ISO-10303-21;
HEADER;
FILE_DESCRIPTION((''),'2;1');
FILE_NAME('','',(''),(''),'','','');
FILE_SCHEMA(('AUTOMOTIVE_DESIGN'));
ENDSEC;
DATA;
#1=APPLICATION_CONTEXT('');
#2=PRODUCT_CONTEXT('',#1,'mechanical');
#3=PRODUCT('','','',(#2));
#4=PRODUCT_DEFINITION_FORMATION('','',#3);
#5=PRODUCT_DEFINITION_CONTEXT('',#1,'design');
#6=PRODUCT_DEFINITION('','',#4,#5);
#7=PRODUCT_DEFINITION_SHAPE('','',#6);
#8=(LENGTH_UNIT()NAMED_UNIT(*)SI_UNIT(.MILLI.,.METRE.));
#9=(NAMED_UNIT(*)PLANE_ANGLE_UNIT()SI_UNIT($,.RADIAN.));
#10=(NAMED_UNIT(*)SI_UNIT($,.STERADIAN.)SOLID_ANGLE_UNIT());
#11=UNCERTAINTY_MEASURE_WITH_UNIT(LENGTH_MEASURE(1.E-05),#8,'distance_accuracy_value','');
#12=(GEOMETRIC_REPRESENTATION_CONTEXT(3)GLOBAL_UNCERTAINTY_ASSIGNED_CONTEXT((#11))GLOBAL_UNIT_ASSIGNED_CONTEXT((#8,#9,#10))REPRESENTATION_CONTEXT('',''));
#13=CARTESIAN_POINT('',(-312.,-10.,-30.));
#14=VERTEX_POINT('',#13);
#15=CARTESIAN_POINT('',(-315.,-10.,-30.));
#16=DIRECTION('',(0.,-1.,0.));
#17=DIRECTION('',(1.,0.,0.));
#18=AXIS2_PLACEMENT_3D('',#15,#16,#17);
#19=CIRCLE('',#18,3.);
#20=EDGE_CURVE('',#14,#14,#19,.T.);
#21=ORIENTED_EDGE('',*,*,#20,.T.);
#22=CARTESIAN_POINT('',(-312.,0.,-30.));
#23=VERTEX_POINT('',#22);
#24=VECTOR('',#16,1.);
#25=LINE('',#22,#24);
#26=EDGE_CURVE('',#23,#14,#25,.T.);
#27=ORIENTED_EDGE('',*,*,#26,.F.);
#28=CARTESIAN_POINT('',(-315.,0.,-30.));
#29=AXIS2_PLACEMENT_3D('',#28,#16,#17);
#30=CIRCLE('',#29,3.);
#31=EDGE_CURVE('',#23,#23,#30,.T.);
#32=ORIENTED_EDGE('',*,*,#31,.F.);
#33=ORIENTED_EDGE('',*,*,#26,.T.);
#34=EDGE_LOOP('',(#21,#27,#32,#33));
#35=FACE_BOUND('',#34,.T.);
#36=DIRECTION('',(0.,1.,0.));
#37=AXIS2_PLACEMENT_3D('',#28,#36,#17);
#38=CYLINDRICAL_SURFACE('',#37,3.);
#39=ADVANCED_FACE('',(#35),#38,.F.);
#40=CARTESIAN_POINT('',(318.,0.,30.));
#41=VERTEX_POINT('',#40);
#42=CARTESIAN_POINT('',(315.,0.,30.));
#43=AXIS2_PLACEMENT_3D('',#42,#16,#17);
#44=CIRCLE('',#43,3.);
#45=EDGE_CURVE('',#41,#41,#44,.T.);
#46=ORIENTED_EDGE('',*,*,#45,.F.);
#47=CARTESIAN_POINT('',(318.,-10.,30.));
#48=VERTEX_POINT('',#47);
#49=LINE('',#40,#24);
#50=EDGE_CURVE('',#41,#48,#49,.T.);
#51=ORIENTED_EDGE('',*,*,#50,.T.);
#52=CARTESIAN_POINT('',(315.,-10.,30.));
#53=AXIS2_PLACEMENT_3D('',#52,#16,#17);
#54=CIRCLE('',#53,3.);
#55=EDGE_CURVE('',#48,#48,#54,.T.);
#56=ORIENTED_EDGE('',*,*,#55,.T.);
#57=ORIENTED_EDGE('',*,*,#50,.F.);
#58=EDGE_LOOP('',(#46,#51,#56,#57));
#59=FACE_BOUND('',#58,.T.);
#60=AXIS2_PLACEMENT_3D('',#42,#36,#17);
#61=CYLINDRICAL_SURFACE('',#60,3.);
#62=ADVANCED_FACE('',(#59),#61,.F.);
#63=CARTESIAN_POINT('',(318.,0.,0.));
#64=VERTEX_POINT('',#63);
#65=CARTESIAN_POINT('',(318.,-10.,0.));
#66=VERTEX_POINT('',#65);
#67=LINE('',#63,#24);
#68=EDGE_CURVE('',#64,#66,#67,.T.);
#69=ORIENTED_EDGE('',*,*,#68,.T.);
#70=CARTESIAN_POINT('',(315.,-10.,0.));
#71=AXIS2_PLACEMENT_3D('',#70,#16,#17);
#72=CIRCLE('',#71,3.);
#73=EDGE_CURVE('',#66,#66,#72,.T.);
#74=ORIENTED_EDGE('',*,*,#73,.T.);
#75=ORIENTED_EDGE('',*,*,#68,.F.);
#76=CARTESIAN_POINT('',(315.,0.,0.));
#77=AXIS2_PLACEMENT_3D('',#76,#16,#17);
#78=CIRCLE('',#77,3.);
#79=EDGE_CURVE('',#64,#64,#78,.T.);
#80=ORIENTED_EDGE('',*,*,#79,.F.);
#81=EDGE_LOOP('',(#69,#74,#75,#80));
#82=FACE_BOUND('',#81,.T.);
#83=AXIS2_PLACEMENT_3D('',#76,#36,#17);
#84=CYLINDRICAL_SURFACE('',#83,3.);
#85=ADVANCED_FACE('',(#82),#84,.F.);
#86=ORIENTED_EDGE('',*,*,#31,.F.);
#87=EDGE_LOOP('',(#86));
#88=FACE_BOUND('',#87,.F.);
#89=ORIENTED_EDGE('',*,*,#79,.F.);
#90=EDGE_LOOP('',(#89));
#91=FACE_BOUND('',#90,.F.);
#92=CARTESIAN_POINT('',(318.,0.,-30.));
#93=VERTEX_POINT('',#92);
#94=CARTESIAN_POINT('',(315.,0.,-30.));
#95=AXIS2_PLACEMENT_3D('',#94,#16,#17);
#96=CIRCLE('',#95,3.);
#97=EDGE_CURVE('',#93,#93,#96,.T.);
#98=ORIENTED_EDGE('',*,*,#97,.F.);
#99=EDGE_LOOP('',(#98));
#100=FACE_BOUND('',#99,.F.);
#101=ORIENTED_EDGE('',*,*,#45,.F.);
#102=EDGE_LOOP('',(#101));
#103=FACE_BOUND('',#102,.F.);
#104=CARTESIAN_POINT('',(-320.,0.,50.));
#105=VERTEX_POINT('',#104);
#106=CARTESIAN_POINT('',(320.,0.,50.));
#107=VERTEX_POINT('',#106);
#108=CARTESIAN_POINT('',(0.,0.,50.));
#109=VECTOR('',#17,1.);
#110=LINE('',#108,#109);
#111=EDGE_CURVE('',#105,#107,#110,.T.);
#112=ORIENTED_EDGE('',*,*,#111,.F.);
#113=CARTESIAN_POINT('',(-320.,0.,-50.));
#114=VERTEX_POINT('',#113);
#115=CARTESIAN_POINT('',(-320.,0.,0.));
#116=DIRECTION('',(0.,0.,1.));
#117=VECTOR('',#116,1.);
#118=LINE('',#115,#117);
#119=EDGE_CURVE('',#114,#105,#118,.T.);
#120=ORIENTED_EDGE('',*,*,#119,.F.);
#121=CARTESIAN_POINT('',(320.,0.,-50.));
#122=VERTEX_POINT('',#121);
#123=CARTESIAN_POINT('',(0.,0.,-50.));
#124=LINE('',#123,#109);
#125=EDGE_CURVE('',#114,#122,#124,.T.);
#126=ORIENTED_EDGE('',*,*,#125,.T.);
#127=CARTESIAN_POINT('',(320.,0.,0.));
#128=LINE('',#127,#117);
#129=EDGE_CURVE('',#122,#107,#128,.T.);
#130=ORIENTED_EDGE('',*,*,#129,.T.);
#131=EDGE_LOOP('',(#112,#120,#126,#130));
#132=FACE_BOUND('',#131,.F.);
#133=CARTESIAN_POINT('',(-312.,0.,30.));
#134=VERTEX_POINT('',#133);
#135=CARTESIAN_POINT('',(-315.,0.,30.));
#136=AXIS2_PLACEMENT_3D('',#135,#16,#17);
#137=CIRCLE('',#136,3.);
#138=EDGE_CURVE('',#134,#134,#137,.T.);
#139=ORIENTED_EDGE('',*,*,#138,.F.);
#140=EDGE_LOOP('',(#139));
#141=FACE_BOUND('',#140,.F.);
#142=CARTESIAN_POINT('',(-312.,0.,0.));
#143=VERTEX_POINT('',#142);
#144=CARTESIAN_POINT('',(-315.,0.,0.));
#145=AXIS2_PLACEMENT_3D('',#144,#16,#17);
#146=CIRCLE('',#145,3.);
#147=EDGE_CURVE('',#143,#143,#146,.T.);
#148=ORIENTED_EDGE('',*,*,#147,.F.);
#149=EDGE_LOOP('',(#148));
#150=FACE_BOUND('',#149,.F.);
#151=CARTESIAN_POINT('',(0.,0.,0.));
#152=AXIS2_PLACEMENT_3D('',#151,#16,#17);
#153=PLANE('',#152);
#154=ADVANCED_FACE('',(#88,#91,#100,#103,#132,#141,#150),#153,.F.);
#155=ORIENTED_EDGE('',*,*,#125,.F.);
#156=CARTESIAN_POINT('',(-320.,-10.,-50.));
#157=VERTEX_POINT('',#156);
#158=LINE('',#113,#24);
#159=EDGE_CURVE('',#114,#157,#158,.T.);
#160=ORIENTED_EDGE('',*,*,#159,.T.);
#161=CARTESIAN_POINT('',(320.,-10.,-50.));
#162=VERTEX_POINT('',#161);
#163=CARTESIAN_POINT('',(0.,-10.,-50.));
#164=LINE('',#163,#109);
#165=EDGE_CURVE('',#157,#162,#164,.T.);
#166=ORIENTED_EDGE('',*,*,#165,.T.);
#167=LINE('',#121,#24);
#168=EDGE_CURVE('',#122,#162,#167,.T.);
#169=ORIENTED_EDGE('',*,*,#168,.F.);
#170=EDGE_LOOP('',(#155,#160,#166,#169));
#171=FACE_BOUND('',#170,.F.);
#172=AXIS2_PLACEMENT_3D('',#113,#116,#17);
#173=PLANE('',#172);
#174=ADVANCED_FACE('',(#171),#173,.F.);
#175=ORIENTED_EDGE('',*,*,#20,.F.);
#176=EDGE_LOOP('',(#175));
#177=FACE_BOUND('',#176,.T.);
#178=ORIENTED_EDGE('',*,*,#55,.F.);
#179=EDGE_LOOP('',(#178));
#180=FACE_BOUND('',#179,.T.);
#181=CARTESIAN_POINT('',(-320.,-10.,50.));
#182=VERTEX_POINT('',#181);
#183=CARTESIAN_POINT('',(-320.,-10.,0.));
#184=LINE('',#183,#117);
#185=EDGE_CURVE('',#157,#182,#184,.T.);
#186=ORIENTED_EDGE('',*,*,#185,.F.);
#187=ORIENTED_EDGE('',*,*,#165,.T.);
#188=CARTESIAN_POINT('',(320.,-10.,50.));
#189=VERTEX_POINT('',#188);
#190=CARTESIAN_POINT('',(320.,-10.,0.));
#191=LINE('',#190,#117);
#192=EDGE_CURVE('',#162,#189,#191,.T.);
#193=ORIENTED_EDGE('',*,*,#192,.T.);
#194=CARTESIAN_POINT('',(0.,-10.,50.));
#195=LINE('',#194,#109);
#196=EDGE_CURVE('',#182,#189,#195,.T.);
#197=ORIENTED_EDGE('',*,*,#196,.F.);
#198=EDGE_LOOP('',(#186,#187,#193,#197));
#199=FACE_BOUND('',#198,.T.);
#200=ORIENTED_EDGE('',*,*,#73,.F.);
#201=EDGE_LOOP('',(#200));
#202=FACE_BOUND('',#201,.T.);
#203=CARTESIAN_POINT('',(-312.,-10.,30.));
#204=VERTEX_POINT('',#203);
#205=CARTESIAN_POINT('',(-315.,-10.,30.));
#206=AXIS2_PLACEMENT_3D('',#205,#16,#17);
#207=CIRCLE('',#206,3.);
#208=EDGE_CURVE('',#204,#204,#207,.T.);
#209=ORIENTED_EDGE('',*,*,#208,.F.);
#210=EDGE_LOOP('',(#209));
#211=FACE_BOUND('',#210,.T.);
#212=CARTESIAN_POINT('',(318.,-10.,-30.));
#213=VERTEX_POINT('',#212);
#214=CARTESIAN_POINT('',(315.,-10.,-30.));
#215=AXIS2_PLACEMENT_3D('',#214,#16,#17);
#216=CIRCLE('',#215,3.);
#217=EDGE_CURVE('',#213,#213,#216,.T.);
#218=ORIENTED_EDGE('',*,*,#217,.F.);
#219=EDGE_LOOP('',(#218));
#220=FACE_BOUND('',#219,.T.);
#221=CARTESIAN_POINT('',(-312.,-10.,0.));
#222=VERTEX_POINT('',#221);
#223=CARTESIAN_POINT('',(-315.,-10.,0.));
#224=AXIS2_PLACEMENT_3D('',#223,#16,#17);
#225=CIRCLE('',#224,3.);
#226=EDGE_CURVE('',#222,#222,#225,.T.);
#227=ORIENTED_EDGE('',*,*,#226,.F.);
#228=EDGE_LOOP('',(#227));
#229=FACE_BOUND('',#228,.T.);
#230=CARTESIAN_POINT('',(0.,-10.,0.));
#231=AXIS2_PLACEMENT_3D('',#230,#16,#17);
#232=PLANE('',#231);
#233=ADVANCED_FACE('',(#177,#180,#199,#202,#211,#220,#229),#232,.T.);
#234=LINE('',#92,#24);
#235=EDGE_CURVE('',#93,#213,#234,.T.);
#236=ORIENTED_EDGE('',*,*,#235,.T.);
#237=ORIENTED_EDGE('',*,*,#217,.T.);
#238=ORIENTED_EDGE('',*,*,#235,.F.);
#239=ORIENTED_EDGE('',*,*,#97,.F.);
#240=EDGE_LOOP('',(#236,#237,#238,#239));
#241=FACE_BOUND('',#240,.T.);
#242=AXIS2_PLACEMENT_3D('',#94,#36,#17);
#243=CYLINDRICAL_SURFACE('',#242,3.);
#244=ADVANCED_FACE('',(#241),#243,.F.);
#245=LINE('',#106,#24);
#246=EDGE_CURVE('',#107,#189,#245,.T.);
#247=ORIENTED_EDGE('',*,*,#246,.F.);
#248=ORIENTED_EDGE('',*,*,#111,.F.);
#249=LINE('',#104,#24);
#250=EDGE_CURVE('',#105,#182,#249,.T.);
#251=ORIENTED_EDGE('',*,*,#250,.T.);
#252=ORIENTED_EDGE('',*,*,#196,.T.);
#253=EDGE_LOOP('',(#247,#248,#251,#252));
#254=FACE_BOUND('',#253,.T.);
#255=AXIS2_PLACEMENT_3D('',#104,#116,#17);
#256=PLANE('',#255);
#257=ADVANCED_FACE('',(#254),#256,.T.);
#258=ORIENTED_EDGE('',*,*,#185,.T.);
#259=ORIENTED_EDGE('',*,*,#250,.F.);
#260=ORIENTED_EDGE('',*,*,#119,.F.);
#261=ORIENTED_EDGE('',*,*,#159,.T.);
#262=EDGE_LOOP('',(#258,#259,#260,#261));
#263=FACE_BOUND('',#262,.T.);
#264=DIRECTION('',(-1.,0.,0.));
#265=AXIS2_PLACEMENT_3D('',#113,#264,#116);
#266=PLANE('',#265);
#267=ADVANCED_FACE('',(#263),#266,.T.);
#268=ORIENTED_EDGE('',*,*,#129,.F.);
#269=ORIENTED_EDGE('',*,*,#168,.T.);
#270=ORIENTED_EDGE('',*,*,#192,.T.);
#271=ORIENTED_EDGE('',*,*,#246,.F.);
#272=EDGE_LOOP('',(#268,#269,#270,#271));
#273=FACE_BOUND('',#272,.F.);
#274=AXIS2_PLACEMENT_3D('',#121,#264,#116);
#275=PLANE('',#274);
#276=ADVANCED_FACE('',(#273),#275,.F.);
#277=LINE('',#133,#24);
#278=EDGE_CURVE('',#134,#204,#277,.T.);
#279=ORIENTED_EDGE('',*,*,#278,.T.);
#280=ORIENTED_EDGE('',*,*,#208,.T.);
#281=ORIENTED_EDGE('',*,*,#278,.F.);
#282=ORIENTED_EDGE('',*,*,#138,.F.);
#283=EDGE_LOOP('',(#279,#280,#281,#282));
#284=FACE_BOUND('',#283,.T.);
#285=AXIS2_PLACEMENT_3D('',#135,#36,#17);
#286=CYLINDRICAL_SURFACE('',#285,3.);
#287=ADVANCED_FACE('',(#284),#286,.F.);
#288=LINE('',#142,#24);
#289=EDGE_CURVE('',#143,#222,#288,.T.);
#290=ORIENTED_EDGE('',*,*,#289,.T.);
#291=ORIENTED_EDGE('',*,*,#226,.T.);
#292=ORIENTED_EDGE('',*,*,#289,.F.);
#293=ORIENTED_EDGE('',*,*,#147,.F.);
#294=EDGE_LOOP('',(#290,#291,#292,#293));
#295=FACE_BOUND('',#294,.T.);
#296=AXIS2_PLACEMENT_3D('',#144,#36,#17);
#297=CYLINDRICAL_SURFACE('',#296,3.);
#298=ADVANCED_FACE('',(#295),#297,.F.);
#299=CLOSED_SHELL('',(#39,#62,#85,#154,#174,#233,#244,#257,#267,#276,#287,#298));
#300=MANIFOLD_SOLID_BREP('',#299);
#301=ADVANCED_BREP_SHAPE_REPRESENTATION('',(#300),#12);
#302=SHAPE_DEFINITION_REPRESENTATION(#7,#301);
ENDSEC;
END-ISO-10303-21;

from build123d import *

# Parameters (mm, degrees)
F0_W     = 640
F0_H     = 100
F0_R     = 3
F1_DEPTH = 10


with BuildPart() as f1:
    # F0 (on Front) → F1 (new body)
    with BuildSketch(Plane.XZ):
        Rectangle(F0_W, F0_H)
        with Locations((-315, -30)):
            Circle(F0_R, mode=Mode.SUBTRACT)
        with Locations((315, -30)):
            Circle(F0_R, mode=Mode.SUBTRACT)
        with Locations((-315, 0)):
            Circle(F0_R, mode=Mode.SUBTRACT)
        with Locations((-315, 30)):
            Circle(F0_R, mode=Mode.SUBTRACT)
        with Locations((315, 0)):
            Circle(F0_R, mode=Mode.SUBTRACT)
        with Locations((315, 30)):
            Circle(F0_R, mode=Mode.SUBTRACT)
    extrude(amount=F1_DEPTH)


solid = f1.part
